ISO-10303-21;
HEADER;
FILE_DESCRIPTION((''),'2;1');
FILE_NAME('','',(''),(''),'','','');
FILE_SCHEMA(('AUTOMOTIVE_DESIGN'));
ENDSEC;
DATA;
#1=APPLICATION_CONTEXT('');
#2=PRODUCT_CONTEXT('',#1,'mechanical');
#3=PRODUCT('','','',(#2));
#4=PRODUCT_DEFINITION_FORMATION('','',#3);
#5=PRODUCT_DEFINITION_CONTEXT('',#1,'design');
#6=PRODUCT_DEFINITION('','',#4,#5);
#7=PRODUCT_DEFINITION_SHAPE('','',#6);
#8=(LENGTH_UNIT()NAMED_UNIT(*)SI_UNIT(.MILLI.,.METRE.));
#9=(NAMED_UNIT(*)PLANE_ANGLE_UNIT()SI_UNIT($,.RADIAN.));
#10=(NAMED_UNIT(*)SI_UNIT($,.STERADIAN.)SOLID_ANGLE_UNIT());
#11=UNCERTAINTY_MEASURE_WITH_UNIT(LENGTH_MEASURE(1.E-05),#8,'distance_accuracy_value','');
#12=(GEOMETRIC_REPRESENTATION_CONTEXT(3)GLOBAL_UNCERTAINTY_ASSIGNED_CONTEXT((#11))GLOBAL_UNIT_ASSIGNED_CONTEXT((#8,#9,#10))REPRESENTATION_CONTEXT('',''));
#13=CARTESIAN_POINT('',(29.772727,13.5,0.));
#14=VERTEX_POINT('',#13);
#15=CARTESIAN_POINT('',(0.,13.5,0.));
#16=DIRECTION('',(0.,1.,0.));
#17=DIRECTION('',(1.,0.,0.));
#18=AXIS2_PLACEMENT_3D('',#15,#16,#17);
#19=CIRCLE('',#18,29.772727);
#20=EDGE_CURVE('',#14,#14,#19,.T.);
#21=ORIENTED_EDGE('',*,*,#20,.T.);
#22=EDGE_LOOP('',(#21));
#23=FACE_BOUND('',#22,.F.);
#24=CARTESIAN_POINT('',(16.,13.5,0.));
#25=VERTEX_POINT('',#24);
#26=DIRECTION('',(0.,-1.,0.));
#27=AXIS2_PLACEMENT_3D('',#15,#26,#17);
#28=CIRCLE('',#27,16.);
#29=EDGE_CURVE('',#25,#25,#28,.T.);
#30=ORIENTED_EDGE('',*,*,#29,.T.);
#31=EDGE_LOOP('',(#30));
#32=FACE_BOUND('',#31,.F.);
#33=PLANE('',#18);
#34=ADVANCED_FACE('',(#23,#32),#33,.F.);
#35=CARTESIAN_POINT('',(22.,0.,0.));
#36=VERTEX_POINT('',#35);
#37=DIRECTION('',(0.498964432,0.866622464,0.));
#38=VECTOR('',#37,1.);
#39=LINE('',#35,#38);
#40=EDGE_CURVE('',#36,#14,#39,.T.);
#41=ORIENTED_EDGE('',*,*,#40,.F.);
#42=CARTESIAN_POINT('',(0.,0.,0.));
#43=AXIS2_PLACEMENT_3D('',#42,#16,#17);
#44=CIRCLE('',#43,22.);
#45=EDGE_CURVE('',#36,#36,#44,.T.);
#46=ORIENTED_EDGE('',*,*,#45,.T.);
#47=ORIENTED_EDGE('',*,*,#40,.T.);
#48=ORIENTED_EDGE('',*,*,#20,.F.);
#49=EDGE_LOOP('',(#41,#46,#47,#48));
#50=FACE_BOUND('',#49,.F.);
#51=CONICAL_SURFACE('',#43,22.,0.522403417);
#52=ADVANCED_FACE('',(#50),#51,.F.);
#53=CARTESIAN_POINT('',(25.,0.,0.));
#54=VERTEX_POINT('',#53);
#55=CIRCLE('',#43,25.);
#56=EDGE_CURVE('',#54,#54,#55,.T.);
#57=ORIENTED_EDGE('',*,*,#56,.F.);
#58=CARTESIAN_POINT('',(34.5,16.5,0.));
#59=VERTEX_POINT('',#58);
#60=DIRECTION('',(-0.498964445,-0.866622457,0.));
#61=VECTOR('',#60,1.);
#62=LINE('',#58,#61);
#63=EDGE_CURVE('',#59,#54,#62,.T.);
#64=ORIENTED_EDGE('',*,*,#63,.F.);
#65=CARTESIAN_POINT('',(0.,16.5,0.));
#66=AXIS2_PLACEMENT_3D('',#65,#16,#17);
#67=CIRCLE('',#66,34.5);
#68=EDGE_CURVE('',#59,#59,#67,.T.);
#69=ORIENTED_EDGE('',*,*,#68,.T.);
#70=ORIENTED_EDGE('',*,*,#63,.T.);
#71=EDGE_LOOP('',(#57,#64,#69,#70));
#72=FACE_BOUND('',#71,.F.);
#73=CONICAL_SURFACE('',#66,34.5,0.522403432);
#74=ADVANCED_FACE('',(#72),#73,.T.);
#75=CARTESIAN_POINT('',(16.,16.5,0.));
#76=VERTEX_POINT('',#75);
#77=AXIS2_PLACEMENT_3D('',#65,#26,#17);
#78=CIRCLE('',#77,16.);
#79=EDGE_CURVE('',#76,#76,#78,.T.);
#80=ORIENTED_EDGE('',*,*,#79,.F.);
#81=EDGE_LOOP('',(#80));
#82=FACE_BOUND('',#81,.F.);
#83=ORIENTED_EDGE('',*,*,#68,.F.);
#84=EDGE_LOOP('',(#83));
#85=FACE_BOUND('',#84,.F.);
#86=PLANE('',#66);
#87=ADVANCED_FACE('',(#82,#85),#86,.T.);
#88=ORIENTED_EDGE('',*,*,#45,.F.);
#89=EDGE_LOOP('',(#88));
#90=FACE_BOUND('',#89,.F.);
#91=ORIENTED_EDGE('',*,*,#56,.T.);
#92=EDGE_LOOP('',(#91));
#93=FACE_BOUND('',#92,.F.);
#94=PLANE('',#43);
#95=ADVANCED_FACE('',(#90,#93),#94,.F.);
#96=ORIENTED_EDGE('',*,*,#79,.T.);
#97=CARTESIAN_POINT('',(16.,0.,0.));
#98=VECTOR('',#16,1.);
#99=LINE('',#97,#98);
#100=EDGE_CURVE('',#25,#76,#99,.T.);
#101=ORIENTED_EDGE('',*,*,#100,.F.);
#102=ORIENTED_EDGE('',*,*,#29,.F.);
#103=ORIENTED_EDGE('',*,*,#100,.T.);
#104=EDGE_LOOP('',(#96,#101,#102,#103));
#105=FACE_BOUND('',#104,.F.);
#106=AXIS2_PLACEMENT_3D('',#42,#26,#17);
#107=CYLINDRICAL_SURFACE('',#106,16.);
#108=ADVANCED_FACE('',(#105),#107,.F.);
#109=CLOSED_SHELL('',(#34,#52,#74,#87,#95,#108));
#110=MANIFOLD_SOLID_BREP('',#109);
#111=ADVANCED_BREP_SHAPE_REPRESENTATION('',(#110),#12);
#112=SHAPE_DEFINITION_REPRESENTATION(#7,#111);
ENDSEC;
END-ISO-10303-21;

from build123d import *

# Parameters (mm, degrees)
SKETCH001_R  = 16
POCKET_DEPTH = 16.501


with BuildPart() as part:
    # Sketch → Revolution (revolve)
    with BuildSketch(Plane.XY):
        Polygon((25, 0), (22, 0), (29.772727, 13.5), (0, 13.5), (0, 16.5), (34.5, 16.5), align=None)
    revolve(axis=Axis((0, 0, 0), (0, 1, 0)))

    # Sketch001 → Pocket (cut, through all)
    with BuildSketch(Plane.XZ):
        Circle(SKETCH001_R)
    extrude(amount=-POCKET_DEPTH, mode=Mode.SUBTRACT)


solid = part.part
